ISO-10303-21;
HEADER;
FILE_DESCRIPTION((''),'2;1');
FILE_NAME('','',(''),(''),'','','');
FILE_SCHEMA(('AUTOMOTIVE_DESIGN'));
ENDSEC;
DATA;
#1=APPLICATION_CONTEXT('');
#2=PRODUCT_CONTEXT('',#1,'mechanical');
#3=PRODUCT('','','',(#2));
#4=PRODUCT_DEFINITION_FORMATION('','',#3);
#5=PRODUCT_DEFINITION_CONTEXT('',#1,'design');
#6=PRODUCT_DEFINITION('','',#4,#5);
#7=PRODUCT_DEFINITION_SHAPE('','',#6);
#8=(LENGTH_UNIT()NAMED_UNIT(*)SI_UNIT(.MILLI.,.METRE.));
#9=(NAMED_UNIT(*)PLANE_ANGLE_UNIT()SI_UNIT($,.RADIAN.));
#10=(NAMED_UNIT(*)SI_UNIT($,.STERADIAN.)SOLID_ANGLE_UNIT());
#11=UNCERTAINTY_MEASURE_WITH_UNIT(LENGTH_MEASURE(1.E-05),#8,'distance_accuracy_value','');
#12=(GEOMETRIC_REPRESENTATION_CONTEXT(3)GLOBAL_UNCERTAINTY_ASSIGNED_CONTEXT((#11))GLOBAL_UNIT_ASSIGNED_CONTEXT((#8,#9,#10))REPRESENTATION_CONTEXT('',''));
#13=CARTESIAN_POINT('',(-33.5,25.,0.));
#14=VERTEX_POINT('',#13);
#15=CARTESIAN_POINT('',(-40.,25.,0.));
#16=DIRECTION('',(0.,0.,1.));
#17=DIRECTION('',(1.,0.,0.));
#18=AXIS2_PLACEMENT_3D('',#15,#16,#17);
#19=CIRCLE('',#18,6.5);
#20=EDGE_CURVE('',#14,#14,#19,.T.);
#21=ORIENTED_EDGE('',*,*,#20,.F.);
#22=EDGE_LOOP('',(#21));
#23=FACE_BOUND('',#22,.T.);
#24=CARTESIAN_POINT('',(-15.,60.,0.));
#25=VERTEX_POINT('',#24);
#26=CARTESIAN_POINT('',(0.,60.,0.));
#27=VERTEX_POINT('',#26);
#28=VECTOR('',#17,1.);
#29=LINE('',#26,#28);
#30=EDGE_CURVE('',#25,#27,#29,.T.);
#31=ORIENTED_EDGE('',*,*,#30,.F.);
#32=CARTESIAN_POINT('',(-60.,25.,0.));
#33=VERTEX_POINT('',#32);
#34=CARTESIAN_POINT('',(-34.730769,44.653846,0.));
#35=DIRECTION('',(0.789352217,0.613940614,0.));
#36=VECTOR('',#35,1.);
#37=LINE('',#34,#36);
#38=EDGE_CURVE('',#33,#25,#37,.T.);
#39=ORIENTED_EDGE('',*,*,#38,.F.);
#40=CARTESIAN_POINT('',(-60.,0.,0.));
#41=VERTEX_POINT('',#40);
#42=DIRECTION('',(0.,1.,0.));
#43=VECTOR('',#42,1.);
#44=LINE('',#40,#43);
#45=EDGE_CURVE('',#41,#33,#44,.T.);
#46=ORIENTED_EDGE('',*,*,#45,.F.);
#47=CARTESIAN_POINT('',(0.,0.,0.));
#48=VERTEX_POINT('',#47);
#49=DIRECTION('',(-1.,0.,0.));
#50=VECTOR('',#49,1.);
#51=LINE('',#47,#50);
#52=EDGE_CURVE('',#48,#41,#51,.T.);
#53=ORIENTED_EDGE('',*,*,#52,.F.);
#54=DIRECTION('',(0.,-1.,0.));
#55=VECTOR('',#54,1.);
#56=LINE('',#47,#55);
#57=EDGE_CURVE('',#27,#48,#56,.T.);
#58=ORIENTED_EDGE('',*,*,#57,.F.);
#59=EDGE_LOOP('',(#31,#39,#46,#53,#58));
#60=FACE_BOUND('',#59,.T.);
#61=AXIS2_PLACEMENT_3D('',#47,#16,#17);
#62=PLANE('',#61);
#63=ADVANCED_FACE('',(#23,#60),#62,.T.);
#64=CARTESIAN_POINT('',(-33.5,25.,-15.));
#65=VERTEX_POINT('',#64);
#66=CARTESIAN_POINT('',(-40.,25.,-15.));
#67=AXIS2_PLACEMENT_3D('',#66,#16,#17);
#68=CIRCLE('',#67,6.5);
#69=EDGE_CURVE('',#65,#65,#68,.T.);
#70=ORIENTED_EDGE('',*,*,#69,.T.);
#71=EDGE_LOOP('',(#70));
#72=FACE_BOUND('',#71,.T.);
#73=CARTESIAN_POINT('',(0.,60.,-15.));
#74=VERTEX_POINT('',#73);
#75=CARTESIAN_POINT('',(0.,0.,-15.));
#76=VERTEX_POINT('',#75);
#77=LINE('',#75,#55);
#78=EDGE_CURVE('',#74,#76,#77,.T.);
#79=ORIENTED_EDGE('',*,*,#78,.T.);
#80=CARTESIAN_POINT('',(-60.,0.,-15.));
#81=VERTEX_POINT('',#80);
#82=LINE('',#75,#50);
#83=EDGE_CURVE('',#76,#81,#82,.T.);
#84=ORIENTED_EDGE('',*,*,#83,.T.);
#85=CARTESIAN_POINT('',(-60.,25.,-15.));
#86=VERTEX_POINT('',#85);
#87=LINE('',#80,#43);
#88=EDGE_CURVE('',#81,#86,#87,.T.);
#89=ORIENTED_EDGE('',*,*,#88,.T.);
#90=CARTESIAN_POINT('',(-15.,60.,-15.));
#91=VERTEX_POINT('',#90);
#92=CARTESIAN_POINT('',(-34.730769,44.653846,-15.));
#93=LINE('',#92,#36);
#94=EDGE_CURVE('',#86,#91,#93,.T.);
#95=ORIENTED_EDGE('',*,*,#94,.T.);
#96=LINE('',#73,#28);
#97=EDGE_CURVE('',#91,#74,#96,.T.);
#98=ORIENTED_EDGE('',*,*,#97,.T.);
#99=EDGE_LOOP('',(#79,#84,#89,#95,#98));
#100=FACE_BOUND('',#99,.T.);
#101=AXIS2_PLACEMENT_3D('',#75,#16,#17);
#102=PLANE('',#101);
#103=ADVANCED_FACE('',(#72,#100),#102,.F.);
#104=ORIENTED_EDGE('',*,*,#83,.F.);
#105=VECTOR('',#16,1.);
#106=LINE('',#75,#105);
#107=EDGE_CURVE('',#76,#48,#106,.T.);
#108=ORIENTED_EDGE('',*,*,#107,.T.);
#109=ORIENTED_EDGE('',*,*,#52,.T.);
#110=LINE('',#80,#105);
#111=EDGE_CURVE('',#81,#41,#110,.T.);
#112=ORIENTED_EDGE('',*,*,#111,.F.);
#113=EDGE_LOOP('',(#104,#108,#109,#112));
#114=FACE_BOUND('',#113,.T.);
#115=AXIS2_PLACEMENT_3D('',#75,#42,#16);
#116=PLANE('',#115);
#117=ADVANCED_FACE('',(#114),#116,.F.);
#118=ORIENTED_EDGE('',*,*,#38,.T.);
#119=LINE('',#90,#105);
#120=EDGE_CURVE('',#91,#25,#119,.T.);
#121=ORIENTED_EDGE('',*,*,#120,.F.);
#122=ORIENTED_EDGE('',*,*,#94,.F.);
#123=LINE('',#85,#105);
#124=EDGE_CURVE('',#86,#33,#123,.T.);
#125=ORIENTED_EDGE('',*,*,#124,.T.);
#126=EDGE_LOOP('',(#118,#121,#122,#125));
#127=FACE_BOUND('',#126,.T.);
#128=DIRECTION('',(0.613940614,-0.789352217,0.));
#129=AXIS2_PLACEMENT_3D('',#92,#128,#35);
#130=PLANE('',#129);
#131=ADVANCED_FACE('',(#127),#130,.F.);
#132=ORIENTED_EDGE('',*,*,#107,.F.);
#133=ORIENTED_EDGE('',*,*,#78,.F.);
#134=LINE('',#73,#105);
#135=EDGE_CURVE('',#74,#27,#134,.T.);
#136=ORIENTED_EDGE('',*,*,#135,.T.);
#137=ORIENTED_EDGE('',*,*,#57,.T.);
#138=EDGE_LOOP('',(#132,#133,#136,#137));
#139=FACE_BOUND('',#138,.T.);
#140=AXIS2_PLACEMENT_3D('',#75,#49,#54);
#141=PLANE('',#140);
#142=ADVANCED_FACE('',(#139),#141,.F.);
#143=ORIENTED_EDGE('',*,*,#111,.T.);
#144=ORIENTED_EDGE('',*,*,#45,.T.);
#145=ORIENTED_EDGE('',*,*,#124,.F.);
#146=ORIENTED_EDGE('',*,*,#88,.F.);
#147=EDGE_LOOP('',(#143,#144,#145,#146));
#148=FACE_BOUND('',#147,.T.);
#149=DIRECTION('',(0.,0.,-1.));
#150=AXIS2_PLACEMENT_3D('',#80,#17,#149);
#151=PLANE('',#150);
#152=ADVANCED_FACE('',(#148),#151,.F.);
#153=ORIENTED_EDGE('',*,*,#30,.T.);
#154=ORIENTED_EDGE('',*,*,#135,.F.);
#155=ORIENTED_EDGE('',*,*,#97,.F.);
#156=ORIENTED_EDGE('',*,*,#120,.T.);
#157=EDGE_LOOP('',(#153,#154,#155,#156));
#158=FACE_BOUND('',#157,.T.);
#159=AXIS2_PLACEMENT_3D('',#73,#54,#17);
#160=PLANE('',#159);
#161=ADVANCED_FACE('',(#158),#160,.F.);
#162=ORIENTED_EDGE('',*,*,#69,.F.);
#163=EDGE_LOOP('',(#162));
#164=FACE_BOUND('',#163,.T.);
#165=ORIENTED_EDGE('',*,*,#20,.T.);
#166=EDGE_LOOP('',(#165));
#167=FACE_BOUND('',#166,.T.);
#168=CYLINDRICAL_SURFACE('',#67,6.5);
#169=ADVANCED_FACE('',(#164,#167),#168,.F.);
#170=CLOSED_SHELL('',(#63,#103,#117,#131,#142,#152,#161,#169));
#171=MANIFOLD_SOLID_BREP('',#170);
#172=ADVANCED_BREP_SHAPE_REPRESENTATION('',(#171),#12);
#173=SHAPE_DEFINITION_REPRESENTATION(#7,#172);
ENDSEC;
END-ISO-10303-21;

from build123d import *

# Parameters (mm, degrees)
SKETCH1_R           = 6.5
BOSS_EXTRUDE2_DEPTH = 15


with BuildPart() as part:
    # Sketch1 → Boss-Extrude2 (new body)
    with BuildSketch(Plane(origin=(0, 0, 0), x_dir=(0, 1, 0), z_dir=(0, 0, 1))):
        Polygon((0, 60), (0, 0), (60, 0), (60, 15), (25, 60), align=None)
        with Locations(Location((25, 40, 0), (0, 0, 270))):
            Circle(SKETCH1_R, mode=Mode.SUBTRACT)
    extrude(amount=-BOSS_EXTRUDE2_DEPTH)


solid = part.part
